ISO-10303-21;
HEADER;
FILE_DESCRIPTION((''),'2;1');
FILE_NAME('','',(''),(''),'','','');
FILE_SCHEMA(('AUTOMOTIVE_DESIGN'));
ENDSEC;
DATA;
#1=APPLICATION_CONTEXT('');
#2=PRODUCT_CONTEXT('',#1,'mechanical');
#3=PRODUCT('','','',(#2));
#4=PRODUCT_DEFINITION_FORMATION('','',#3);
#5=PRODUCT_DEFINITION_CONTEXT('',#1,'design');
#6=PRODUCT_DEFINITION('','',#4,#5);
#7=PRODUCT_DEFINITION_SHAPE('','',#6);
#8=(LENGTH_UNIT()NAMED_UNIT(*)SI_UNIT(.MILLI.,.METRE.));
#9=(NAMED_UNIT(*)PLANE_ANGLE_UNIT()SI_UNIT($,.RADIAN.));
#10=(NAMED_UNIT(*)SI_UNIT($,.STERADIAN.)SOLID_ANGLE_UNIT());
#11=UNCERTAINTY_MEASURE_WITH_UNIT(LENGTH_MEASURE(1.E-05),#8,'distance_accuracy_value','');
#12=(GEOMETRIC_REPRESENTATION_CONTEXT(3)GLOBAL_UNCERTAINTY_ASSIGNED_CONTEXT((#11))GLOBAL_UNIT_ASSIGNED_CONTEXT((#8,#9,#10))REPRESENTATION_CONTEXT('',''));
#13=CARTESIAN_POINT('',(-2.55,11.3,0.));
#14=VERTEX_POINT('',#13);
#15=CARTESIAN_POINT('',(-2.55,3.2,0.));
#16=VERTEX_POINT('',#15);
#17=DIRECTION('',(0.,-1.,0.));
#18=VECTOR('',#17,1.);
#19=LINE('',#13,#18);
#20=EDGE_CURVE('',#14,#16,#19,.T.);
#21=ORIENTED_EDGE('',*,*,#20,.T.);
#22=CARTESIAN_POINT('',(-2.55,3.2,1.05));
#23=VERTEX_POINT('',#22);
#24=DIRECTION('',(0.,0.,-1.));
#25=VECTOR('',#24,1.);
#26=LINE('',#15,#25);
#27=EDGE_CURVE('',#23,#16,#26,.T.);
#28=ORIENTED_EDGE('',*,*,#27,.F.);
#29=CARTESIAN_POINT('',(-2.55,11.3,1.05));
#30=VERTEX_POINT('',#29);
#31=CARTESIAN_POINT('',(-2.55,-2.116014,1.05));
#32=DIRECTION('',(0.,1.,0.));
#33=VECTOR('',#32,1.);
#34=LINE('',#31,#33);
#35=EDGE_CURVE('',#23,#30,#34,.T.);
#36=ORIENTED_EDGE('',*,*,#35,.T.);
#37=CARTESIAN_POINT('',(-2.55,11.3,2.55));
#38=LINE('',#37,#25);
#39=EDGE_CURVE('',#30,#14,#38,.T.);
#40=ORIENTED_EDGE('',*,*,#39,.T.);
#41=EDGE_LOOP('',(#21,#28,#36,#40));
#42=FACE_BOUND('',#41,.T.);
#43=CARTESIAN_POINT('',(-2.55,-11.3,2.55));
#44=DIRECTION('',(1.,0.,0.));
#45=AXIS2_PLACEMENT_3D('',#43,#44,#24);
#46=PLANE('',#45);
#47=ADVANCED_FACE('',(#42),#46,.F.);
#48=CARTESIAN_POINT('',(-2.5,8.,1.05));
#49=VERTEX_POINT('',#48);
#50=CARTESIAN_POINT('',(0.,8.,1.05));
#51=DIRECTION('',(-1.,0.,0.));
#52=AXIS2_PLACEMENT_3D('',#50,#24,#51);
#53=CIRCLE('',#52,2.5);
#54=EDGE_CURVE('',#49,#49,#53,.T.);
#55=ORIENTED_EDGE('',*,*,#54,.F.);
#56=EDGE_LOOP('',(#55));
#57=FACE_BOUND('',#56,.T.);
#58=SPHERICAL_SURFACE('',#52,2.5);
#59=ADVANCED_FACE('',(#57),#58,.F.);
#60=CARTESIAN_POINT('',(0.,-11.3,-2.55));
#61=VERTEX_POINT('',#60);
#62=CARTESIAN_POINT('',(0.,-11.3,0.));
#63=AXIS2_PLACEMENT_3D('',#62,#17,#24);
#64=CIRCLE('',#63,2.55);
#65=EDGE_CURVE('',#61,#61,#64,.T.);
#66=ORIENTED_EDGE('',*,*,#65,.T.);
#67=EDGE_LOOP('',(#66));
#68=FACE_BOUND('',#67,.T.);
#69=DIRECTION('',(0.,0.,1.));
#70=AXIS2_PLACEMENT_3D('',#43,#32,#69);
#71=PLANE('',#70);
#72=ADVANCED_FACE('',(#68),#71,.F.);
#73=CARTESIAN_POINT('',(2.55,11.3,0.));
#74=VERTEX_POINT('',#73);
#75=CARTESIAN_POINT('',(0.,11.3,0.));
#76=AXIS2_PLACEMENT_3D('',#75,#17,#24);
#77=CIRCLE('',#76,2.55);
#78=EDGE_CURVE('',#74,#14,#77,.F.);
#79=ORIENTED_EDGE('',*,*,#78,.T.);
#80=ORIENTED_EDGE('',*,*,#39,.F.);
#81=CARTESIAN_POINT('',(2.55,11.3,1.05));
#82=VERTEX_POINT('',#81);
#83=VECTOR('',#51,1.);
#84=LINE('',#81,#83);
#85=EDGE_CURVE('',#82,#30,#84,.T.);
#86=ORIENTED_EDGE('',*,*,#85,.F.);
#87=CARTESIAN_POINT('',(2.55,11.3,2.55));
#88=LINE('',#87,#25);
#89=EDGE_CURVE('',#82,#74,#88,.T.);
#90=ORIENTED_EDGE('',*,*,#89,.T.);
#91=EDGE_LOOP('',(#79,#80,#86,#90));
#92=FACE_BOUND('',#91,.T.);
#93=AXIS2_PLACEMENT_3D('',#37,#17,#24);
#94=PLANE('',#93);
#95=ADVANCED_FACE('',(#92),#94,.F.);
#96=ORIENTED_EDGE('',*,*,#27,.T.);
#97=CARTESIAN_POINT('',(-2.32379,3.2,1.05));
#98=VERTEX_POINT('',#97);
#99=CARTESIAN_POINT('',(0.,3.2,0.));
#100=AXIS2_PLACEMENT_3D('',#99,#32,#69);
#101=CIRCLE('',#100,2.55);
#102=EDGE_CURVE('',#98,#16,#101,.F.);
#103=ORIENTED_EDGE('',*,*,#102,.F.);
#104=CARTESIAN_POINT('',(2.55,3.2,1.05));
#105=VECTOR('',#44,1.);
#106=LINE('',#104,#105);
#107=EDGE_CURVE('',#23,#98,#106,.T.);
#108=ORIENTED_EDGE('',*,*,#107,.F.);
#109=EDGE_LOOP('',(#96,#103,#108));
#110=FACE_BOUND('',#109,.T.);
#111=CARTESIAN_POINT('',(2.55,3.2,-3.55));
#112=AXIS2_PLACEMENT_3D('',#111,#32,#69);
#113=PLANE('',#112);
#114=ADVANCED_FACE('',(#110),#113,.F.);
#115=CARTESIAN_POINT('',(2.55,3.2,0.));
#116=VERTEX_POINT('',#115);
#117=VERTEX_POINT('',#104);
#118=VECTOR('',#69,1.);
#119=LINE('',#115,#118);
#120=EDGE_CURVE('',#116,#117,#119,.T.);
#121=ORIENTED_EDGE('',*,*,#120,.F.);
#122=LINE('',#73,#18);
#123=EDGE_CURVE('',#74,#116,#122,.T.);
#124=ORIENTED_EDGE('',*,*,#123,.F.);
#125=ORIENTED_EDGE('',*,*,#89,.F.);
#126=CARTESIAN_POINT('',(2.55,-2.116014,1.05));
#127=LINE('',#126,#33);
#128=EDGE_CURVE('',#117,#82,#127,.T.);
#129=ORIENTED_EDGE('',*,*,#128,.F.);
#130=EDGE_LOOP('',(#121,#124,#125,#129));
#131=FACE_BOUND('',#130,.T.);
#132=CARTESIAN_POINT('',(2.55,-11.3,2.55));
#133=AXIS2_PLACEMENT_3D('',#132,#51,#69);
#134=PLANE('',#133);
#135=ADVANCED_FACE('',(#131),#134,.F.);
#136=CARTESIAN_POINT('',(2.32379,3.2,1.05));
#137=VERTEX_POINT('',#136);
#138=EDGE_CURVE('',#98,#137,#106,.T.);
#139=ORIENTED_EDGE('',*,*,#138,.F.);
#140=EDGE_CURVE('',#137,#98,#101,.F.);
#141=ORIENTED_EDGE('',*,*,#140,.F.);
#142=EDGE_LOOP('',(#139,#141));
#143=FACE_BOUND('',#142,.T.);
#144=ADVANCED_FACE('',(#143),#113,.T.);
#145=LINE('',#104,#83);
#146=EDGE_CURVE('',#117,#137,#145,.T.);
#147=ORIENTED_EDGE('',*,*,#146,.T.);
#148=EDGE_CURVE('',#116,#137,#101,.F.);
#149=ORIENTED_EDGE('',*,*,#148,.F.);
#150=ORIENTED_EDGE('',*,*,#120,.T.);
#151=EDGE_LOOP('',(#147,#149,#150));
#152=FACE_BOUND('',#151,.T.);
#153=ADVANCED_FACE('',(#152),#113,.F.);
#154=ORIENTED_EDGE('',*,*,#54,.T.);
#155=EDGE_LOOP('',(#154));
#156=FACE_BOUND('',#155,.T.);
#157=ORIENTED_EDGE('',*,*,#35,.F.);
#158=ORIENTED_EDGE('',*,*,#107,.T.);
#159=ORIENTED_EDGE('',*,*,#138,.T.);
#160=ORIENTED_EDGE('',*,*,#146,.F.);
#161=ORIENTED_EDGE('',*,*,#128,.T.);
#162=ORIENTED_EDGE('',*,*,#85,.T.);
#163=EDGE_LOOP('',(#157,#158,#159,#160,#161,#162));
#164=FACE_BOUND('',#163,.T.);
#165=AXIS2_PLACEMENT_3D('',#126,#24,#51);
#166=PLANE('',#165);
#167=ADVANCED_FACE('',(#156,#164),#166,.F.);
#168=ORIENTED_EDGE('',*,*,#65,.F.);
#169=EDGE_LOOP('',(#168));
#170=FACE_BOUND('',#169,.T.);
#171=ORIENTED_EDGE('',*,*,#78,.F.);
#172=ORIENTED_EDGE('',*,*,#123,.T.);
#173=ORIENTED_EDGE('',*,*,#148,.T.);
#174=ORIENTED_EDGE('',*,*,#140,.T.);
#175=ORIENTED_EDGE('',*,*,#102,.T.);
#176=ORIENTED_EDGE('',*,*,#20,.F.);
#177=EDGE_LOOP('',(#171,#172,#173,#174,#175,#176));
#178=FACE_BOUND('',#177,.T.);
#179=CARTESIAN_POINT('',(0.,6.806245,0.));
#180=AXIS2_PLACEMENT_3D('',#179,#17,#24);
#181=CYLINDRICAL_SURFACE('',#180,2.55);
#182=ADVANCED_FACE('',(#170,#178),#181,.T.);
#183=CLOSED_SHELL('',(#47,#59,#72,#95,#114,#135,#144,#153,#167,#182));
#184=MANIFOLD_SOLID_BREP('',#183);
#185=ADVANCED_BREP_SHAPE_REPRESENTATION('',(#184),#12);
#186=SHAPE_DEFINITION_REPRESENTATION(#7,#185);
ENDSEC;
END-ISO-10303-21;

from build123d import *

# Parameters (mm, degrees)
SKETCH1_W           = 5.1
SKETCH1_H           = 22.6
BOSS_EXTRUDE1_DEPTH = 2.55
SKETCH3_W           = 5.1
SKETCH3_H           = 8.1
BOSS_EXTRUDE2_DEPTH = 1
CUT_EXTRUDE1_DEPTH  = 14.5
SKETCH5_W           = 5.1
SKETCH5_H           = 1.5
CUT_EXTRUDE2_DEPTH  = 8.1
CUT_EXTRUDE3_DEPTH  = 16.144470938


with BuildPart() as part:
    # Sketch1 → Boss-Extrude1 (new, symmetric)
    with BuildSketch(Plane.XY):
        Rectangle(SKETCH1_W, SKETCH1_H)
    extrude(amount=BOSS_EXTRUDE1_DEPTH, both=True)

    # Sketch3 → Boss-Extrude2 (add)
    with BuildSketch(Plane(origin=(0, 0, -2.55), x_dir=(-1, 0, 0), z_dir=(0, 0, -1))):
        with Locations((0, 7.25)):
            Rectangle(SKETCH3_W, SKETCH3_H)
    extrude(amount=BOSS_EXTRUDE2_DEPTH)

    # Sketch4 → Cut-Extrude1 (cut)
    with BuildSketch(Plane.XZ.offset(11.3)):
        with BuildLine():
            Line((0, 2.55), (-2.55, 2.55))
            Line((-2.55, 2.55), (-2.55, 0))
            ThreePointArc((-2.55, 0), (-1.803122292, 1.803122292), (0, 2.55))
        make_face()
        with BuildLine():
            Line((2.55, 2.55), (0, 2.55))
            ThreePointArc((0, 2.55), (1.803122292, 1.803122292), (2.55, 0))
            Line((2.55, 0), (2.55, 2.55))
        make_face()
        with BuildLine():
            ThreePointArc((2.55, 0), (1.803122292, -1.803122292), (0, -2.55))
            Line((0, -2.55), (2.55, -2.55))
            Line((2.55, -2.55), (2.55, 0))
        make_face()
        with BuildLine():
            ThreePointArc((0, -2.55), (-1.803122292, -1.803122292), (-2.55, 0))
            Line((-2.55, 0), (-2.55, -2.55))
            Line((-2.55, -2.55), (0, -2.55))
        make_face()
    extrude(amount=-CUT_EXTRUDE1_DEPTH, mode=Mode.SUBTRACT)

    # Sketch5 → Cut-Extrude2 (cut)
    with BuildSketch(Plane(origin=(0, 11.3, 0), x_dir=(1, 0, 0), z_dir=(0, 1, 0))):
        with Locations((0, -1.8)):
            Rectangle(SKETCH5_W, SKETCH5_H)
    extrude(amount=-CUT_EXTRUDE2_DEPTH, mode=Mode.SUBTRACT)

    # Sketch6 → Cut-Revolve2 (revolve, cut)
    with BuildSketch(Plane.XY.offset(1.05)):
        with BuildLine():
            Line((-2.5, 8), (2.5, 8))
            ThreePointArc((2.5, 8), (0, 5.5), (-2.5, 8))
        make_face()
    revolve(axis=Axis((-2.5, 8, 1.05), (1, 0, 0)), mode=Mode.SUBTRACT)

    # Sketch7 → Cut-Extrude3 (cut, through all)
    with BuildSketch(Plane.XZ.offset(-3.2)):
        with BuildLine():
            Line((-2.55, -3.55), (2.55, -3.55))
            Line((2.55, -3.55), (2.55, 0))
            ThreePointArc((2.55, 0), (0, -2.55), (-2.55, 0))
            Line((-2.55, 0), (-2.55, -3.55))
        make_face()
    extrude(amount=-CUT_EXTRUDE3_DEPTH, mode=Mode.SUBTRACT)


solid = part.part
